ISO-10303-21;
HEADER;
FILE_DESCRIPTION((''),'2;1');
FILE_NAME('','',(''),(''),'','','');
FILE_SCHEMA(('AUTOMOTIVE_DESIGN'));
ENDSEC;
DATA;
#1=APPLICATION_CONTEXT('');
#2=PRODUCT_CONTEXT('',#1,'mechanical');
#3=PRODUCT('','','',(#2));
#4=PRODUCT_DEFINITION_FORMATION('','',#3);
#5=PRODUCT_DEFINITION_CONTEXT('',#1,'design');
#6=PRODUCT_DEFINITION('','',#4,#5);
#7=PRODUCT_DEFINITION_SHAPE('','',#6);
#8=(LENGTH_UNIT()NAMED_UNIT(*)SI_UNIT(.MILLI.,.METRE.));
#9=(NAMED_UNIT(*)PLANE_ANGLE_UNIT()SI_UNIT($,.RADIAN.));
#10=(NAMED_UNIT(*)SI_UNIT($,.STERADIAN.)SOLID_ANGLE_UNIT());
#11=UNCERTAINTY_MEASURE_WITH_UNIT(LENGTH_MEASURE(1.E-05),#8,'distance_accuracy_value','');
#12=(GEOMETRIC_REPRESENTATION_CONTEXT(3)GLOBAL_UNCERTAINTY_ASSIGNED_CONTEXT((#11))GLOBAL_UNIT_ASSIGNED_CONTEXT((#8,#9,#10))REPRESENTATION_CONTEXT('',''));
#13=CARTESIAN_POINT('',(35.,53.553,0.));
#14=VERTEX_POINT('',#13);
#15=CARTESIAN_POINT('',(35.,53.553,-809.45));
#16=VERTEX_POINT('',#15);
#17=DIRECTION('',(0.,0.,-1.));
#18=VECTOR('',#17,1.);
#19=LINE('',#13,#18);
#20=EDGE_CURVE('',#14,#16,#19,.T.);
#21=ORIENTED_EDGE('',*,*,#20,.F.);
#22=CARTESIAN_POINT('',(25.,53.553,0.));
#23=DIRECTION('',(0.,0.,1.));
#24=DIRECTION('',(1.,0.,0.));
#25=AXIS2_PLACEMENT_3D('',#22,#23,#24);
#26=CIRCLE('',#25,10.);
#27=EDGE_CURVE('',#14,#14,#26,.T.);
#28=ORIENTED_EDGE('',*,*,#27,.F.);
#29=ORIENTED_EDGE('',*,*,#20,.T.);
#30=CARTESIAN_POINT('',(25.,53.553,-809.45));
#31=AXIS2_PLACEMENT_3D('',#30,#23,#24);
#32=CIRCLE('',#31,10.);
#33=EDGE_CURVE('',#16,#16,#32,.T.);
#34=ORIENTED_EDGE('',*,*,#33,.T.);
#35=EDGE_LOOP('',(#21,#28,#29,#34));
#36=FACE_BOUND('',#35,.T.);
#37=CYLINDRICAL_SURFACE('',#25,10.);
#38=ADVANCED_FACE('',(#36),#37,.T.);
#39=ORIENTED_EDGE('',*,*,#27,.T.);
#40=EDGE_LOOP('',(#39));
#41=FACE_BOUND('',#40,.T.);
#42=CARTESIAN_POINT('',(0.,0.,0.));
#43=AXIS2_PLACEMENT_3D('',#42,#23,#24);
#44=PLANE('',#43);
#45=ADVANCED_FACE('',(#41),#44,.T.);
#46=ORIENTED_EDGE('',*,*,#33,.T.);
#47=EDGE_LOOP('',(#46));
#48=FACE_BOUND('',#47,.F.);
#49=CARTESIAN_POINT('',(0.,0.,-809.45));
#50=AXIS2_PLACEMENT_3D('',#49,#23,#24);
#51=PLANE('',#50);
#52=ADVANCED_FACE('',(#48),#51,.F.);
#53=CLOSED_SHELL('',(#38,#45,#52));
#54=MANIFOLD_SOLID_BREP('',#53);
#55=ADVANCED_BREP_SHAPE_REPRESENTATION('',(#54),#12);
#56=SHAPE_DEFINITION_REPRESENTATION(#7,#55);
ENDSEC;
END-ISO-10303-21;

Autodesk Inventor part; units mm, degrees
ref_plane "YZ Plane" through (0, 0, 0) normal (1, 0, 0) x (0, 1, 0)
ref_plane "XZ Plane" through (0, 0, 0) normal (0, 1, 0) x (-1, 0, 0)
ref_plane "XY Plane" through (0, 0, 0) normal (0, 0, 1) x (1, 0, 0)
ref_plane "Work Plane1" through (0, 0, 0) normal (0, 0, 1) x (1, 0, 0)
sketch "Sketch1" plane through (0, 0, 0) normal (0, 0, 1) x (1, 0, 0)
  circle A0 centre (25, 53.553) radius 10 projected
  point P0 (0, 0)
ref_plane "Work Plane2" through (50, 0, -809.45) normal (0, 0, -1) x (-1, 0, 0)
extrude "Extrusion1" add sketch "Sketch1" against normal up to surface (809.45 mm away)
properties part number "GEAR_SHAFT"
